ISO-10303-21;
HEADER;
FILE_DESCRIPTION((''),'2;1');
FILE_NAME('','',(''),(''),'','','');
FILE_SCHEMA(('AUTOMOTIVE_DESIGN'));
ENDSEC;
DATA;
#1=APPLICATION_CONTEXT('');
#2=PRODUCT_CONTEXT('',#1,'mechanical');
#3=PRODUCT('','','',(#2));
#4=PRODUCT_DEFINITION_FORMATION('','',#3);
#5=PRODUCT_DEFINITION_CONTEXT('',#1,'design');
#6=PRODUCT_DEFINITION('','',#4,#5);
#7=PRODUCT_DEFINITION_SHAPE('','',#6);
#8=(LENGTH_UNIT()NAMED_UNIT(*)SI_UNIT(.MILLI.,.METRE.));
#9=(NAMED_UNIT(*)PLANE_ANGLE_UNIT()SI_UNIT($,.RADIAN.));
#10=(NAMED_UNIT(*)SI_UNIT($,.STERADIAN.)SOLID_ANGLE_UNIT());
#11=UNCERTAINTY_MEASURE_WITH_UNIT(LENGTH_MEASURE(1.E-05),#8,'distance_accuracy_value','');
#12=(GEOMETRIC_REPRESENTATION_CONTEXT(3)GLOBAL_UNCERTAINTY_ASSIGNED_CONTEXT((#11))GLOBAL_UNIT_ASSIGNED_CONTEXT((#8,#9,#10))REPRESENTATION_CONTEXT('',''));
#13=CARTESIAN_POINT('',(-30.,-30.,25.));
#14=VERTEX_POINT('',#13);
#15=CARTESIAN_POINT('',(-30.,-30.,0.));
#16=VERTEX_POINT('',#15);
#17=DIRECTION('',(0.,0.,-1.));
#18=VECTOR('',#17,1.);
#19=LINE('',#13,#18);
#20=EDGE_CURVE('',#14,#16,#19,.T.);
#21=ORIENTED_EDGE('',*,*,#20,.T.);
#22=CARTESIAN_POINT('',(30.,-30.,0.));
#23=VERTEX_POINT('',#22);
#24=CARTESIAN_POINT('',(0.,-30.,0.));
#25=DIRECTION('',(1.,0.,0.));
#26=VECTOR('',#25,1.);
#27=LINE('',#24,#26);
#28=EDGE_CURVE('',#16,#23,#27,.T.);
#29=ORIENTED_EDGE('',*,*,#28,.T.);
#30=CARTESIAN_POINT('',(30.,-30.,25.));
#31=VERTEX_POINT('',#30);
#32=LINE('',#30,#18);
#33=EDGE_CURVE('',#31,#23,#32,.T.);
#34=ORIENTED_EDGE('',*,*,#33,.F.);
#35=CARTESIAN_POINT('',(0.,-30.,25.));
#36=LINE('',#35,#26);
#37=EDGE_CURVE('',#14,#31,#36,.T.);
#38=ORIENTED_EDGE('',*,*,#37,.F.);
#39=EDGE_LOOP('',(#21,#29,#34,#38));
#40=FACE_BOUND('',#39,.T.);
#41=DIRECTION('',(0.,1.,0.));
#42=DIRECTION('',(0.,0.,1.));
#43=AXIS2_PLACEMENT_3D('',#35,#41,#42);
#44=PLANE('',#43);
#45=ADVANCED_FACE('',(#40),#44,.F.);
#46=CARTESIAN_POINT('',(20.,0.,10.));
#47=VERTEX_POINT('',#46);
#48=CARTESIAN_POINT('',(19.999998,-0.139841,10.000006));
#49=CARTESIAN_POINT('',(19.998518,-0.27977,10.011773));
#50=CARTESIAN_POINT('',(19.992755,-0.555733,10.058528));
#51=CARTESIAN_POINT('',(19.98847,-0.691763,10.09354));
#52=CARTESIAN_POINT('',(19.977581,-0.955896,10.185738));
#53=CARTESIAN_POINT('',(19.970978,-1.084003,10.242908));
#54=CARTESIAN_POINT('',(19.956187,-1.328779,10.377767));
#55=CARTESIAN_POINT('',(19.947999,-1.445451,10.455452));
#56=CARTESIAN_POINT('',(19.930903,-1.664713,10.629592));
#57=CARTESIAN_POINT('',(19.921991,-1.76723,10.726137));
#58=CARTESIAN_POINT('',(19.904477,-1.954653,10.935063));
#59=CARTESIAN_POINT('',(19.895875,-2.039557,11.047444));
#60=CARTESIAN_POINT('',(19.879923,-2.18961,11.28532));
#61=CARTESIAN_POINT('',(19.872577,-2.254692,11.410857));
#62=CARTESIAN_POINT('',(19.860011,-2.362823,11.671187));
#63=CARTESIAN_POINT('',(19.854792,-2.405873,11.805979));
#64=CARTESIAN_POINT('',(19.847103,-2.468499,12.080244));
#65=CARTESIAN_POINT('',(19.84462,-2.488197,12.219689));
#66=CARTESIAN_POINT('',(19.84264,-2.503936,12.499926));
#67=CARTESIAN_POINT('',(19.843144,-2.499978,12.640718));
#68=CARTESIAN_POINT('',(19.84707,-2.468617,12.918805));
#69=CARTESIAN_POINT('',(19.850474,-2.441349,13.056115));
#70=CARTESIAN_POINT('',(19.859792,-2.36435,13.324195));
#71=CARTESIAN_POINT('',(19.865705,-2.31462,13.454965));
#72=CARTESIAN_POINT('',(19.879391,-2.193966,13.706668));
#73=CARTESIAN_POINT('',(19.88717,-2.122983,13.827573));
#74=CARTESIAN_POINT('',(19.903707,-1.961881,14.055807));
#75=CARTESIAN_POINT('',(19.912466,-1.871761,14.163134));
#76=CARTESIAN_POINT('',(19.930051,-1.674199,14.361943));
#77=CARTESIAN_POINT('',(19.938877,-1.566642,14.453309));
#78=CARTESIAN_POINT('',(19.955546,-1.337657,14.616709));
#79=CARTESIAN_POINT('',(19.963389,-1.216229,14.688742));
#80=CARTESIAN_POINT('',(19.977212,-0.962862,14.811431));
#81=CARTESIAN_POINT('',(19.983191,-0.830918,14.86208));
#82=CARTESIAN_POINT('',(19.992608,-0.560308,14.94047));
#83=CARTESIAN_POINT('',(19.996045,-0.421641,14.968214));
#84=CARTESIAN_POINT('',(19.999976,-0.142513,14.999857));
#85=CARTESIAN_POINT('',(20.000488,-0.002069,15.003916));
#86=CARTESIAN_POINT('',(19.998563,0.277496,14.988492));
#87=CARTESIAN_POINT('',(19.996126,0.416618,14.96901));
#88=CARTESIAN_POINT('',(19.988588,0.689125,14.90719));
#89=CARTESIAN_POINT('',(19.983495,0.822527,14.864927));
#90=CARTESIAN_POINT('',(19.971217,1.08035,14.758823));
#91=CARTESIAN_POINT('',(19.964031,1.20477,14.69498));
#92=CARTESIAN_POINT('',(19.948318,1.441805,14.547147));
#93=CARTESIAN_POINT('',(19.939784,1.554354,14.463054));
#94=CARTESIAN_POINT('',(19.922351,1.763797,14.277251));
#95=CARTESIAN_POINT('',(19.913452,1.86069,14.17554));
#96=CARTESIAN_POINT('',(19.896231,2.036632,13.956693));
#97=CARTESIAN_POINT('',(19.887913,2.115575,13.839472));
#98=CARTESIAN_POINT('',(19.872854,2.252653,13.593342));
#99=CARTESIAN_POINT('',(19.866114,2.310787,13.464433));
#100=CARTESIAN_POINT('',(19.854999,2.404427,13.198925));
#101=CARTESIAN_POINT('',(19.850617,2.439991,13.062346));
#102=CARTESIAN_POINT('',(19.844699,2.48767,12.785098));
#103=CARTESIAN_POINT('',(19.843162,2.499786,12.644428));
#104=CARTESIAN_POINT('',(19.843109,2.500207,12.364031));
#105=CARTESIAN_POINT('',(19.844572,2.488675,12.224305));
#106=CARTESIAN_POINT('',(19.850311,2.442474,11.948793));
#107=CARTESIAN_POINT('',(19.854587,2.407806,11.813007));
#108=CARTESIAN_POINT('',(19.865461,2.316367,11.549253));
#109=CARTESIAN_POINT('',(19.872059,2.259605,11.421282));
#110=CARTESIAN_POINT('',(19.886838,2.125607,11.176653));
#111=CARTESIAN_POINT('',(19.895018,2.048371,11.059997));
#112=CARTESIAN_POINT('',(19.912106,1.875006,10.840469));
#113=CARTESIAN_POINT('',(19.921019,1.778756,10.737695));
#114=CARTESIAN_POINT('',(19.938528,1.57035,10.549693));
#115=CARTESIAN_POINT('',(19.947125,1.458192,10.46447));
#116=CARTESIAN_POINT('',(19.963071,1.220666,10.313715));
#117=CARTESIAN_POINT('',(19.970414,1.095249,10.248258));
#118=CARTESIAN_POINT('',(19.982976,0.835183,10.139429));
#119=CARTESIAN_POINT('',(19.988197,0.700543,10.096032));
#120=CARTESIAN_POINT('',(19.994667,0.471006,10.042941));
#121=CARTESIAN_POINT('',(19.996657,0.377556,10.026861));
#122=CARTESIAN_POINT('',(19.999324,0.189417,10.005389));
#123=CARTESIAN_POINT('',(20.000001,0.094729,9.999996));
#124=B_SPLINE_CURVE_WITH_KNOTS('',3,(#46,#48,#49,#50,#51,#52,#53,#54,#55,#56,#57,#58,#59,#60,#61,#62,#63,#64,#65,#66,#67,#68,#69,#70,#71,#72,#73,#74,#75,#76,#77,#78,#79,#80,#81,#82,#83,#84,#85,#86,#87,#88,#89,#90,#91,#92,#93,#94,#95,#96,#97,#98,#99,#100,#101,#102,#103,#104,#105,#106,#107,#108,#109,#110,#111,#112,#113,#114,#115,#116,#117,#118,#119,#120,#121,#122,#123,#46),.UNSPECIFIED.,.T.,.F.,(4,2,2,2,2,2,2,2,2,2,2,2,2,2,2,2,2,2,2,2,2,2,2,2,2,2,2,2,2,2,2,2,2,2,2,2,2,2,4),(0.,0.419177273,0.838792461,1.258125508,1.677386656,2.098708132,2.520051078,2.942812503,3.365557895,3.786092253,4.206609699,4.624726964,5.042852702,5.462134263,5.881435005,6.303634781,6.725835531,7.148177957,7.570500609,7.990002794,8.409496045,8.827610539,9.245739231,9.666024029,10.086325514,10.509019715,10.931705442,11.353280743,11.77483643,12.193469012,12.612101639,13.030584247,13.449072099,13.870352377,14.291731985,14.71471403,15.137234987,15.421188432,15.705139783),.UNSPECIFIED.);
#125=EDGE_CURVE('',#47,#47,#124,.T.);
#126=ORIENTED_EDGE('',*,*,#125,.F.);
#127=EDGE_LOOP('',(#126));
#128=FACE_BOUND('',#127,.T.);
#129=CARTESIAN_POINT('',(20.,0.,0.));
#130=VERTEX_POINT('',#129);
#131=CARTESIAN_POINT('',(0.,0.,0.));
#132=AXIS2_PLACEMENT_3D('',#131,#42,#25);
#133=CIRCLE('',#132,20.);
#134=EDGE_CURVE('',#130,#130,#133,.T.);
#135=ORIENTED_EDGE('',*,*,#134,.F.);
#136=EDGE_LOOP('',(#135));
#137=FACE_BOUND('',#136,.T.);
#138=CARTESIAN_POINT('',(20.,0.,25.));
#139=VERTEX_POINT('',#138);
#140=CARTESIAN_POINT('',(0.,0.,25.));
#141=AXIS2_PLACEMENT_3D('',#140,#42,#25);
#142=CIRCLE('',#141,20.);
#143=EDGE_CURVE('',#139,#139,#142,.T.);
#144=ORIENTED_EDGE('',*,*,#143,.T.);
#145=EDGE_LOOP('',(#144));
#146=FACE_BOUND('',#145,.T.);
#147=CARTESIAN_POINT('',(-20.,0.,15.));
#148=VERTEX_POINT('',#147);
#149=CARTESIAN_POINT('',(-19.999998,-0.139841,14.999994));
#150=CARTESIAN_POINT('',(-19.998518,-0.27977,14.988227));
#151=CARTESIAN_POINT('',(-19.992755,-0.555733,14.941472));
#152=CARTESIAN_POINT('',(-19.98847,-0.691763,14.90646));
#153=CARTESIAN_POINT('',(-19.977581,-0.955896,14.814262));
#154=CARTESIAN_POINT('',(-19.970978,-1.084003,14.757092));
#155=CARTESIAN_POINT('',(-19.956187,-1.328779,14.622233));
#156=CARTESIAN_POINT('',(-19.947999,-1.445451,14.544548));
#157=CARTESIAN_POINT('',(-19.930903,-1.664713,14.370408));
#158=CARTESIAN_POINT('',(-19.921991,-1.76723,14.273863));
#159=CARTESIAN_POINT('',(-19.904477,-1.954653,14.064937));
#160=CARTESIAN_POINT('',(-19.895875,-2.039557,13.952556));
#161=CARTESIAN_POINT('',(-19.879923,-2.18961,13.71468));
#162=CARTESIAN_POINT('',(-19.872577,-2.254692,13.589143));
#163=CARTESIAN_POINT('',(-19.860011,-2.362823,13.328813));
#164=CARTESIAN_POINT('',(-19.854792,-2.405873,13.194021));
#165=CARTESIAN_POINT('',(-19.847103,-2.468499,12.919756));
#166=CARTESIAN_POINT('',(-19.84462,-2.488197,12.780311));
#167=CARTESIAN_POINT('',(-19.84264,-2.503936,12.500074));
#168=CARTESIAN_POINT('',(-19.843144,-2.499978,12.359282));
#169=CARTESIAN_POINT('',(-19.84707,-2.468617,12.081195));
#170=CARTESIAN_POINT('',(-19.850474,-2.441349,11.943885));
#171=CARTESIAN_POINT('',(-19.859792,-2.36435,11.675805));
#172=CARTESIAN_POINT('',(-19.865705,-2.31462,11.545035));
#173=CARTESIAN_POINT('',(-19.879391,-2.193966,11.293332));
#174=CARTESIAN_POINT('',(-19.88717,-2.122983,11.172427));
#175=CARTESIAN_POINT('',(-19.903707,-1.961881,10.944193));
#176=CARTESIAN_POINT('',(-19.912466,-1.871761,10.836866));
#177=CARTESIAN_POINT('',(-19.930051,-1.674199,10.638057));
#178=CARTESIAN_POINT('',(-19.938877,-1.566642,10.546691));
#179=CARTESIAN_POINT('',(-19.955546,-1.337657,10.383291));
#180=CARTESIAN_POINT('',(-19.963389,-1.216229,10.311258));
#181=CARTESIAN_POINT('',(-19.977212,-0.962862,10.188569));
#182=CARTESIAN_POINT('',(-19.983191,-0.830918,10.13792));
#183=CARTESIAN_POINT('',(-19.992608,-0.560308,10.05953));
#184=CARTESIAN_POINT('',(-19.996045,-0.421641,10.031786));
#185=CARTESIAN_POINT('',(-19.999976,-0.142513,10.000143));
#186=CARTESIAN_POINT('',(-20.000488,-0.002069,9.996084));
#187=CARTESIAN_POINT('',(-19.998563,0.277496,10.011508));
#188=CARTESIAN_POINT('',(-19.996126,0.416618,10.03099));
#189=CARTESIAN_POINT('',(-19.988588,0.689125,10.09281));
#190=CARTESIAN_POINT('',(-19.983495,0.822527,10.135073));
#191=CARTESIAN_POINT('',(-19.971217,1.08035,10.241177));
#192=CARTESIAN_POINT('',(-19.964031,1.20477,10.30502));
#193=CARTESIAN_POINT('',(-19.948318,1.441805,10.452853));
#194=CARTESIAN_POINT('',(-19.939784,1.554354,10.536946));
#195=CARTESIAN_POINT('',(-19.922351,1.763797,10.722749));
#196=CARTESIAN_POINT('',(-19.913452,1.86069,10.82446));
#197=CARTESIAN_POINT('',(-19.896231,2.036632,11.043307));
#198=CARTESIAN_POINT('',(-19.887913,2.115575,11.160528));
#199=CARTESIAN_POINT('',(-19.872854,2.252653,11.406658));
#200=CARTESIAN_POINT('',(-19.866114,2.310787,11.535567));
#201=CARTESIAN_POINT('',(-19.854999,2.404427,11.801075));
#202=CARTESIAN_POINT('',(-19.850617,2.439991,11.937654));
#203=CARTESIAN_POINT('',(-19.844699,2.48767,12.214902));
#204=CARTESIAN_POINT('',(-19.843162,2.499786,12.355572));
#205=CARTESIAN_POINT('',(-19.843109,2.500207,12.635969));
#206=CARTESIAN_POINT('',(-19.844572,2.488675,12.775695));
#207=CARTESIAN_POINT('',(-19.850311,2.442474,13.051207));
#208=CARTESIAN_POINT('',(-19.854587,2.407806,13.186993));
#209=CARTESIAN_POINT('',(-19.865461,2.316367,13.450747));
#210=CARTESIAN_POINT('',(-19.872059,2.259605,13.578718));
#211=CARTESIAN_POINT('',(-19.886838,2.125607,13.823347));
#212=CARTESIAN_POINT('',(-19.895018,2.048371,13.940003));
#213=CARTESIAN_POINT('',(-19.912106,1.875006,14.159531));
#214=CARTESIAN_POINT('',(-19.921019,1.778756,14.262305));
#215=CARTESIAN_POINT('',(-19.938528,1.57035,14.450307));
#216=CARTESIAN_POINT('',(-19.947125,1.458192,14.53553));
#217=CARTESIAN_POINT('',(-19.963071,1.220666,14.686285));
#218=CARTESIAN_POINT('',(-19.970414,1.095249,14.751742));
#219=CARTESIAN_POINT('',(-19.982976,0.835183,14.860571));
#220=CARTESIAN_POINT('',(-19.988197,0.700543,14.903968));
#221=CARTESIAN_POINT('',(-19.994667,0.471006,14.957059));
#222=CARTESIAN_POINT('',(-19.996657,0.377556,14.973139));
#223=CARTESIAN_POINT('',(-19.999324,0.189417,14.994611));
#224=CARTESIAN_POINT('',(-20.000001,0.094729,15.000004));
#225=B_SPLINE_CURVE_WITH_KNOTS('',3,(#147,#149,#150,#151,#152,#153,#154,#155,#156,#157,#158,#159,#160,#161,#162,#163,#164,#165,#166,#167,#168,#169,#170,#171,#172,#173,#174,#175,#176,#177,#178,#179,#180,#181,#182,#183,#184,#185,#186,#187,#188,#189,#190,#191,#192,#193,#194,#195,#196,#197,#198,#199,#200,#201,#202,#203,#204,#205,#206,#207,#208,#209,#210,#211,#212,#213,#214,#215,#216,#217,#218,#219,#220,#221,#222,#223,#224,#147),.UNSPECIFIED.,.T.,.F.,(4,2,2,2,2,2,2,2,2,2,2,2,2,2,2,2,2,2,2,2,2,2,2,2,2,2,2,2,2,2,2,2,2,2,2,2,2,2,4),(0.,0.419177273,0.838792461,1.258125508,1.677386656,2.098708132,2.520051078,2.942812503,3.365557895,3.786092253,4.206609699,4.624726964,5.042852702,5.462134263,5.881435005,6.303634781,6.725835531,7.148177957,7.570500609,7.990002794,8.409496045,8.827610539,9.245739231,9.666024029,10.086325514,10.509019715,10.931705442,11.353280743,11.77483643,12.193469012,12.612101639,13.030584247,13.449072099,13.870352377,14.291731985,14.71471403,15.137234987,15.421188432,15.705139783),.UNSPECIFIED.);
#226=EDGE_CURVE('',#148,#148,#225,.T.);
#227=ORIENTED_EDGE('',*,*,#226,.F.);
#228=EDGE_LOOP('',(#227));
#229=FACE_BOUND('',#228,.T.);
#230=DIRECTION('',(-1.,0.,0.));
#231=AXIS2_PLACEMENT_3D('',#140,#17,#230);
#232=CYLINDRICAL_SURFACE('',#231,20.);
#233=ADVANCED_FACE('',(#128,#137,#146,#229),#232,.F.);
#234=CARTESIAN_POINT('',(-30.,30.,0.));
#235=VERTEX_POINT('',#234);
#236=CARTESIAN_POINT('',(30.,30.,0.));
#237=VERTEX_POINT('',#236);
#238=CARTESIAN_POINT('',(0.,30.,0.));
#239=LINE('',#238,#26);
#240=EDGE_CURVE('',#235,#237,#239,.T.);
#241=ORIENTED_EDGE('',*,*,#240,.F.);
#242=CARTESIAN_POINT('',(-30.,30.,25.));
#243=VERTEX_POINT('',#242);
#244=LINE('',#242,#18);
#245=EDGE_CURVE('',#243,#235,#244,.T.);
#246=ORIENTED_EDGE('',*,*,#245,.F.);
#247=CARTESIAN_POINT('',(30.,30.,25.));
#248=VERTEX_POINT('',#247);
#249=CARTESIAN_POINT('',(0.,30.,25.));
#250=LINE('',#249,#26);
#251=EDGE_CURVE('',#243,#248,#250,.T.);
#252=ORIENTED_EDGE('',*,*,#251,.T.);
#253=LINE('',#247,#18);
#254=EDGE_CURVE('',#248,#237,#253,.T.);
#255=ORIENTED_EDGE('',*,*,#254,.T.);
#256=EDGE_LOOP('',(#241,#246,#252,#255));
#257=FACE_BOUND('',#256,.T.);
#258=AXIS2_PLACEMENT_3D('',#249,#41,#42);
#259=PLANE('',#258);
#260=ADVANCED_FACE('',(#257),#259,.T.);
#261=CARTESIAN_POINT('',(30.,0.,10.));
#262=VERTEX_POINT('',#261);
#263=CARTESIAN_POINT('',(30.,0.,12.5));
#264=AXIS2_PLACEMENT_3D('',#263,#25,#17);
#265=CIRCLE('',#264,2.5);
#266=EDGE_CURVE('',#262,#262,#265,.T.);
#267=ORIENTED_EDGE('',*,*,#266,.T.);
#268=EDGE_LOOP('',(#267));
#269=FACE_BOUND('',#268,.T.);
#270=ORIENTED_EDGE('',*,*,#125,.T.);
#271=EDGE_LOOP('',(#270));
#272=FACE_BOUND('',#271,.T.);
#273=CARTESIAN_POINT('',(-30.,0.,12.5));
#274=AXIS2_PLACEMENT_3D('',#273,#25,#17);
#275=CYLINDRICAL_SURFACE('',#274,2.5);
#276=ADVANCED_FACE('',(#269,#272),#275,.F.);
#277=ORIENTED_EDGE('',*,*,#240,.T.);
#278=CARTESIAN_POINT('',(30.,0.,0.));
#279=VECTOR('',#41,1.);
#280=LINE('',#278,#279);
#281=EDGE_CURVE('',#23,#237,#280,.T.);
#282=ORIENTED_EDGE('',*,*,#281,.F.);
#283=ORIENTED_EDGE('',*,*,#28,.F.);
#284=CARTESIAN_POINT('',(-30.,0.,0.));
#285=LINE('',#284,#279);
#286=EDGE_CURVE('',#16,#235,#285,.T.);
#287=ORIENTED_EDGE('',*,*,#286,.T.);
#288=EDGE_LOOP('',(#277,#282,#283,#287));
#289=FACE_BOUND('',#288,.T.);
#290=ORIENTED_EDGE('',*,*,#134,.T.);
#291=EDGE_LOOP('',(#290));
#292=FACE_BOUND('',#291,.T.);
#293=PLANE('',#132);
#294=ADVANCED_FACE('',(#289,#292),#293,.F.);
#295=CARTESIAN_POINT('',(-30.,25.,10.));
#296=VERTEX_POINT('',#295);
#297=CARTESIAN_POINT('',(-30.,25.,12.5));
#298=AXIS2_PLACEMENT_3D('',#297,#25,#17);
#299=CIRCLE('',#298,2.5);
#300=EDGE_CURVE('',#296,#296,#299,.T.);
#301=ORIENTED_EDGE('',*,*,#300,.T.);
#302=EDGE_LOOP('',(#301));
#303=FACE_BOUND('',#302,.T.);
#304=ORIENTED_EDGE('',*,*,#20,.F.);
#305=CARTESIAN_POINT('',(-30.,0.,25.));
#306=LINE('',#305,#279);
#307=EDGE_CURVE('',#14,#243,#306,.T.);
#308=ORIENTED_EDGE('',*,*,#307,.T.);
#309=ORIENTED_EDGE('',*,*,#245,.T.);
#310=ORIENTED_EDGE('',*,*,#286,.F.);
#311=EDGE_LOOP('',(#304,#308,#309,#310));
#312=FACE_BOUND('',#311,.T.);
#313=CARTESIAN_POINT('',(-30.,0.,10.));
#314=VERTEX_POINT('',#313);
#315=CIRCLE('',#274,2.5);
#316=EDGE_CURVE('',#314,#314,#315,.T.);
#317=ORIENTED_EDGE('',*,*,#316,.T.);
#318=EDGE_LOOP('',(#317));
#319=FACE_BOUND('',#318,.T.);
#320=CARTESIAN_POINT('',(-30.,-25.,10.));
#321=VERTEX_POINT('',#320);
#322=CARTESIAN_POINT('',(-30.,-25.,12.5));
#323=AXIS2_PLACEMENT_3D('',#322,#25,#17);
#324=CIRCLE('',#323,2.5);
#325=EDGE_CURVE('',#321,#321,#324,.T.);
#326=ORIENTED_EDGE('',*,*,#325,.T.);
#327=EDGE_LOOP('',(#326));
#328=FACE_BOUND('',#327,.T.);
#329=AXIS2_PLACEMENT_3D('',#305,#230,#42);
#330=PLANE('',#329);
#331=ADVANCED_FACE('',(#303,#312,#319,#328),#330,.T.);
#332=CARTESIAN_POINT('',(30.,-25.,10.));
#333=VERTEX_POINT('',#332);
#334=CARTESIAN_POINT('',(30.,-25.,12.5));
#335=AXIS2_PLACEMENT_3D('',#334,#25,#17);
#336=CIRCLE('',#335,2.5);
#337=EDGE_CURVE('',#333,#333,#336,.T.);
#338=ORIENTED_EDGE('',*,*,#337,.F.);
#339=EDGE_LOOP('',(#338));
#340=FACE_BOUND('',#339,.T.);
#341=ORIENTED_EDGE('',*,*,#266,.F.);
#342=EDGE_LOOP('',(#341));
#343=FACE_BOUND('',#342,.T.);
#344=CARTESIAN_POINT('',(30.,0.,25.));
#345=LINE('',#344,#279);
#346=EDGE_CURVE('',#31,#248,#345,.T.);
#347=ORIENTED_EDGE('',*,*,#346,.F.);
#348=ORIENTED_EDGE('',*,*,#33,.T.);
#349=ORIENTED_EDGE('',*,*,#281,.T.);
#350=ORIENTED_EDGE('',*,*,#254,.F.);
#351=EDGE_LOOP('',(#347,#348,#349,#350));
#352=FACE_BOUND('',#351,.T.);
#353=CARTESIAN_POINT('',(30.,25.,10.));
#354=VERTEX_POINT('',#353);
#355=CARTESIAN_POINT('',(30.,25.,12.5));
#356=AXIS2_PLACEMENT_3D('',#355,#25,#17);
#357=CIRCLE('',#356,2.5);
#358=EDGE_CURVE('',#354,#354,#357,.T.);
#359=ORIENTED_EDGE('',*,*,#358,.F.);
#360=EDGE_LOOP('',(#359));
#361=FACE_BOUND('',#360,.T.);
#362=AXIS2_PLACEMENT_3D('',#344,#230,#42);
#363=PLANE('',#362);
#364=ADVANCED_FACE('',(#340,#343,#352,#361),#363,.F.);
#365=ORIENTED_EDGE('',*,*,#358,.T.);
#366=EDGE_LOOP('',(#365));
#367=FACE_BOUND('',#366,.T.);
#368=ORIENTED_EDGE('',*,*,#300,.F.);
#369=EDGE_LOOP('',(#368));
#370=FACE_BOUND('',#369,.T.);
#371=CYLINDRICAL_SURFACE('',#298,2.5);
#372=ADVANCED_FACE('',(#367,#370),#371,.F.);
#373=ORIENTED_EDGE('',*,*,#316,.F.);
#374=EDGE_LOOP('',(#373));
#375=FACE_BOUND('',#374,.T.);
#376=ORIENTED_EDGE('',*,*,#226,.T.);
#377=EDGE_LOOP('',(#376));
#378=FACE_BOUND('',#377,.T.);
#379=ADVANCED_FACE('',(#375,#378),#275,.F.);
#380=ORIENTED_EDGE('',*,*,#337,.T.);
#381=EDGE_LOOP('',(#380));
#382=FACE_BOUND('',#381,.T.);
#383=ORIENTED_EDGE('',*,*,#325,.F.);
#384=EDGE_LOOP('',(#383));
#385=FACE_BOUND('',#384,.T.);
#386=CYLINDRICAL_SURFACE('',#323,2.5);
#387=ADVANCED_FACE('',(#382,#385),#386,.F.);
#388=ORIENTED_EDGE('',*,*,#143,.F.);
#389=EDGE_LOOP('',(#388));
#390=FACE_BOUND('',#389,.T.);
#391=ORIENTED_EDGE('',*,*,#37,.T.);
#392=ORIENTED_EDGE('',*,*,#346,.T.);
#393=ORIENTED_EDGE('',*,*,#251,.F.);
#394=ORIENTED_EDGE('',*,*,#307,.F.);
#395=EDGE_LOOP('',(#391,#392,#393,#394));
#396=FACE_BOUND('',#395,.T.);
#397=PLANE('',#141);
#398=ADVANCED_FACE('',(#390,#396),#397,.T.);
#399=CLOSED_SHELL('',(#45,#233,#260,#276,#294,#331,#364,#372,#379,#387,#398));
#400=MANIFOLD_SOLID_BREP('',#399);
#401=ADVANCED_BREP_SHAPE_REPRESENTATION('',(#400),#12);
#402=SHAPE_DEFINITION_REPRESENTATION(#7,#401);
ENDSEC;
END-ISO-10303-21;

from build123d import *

# Parameters (mm, degrees)
BOSS_EXTRUDE1_DEPTH = 25
SKETCH2_R           = 2.5
CUT_EXTRUDE1_DEPTH  = 72.589105316


with BuildPart() as part:
    # Sketch1 → Boss-Extrude1 (new body)
    with BuildSketch(Plane.XY):
        with BuildLine():
            Line((-30, 0), (-20, 0))
            ThreePointArc((-20, 0), (0, 20), (20, 0))
            Line((20, 0), (30, 0))
            Line((30, 0), (30, 30))
            Line((30, 30), (-30, 30))
            Line((-30, 30), (-30, 0))
        make_face()
        with BuildLine():
            ThreePointArc((20, 0), (0, -20), (-20, 0))
            Line((-20, 0), (-30, 0))
            Line((-30, 0), (-30, -30))
            Line((-30, -30), (30, -30))
            Line((30, -30), (30, 0))
            Line((30, 0), (20, 0))
        make_face()
    extrude(amount=BOSS_EXTRUDE1_DEPTH)

    # Sketch2 → Cut-Extrude1 (cut, through all)
    with BuildSketch(Plane(origin=(30, 0, 0), x_dir=(0, 0, -1), z_dir=(1, 0, 0))):
        with Locations((-12.5, 25)):
            Circle(SKETCH2_R)
        with Locations((-12.5, -25)):
            Circle(SKETCH2_R)
        with Locations((-12.5, 0)):
            Circle(SKETCH2_R)
    extrude(amount=-CUT_EXTRUDE1_DEPTH, mode=Mode.SUBTRACT)


solid = part.part
